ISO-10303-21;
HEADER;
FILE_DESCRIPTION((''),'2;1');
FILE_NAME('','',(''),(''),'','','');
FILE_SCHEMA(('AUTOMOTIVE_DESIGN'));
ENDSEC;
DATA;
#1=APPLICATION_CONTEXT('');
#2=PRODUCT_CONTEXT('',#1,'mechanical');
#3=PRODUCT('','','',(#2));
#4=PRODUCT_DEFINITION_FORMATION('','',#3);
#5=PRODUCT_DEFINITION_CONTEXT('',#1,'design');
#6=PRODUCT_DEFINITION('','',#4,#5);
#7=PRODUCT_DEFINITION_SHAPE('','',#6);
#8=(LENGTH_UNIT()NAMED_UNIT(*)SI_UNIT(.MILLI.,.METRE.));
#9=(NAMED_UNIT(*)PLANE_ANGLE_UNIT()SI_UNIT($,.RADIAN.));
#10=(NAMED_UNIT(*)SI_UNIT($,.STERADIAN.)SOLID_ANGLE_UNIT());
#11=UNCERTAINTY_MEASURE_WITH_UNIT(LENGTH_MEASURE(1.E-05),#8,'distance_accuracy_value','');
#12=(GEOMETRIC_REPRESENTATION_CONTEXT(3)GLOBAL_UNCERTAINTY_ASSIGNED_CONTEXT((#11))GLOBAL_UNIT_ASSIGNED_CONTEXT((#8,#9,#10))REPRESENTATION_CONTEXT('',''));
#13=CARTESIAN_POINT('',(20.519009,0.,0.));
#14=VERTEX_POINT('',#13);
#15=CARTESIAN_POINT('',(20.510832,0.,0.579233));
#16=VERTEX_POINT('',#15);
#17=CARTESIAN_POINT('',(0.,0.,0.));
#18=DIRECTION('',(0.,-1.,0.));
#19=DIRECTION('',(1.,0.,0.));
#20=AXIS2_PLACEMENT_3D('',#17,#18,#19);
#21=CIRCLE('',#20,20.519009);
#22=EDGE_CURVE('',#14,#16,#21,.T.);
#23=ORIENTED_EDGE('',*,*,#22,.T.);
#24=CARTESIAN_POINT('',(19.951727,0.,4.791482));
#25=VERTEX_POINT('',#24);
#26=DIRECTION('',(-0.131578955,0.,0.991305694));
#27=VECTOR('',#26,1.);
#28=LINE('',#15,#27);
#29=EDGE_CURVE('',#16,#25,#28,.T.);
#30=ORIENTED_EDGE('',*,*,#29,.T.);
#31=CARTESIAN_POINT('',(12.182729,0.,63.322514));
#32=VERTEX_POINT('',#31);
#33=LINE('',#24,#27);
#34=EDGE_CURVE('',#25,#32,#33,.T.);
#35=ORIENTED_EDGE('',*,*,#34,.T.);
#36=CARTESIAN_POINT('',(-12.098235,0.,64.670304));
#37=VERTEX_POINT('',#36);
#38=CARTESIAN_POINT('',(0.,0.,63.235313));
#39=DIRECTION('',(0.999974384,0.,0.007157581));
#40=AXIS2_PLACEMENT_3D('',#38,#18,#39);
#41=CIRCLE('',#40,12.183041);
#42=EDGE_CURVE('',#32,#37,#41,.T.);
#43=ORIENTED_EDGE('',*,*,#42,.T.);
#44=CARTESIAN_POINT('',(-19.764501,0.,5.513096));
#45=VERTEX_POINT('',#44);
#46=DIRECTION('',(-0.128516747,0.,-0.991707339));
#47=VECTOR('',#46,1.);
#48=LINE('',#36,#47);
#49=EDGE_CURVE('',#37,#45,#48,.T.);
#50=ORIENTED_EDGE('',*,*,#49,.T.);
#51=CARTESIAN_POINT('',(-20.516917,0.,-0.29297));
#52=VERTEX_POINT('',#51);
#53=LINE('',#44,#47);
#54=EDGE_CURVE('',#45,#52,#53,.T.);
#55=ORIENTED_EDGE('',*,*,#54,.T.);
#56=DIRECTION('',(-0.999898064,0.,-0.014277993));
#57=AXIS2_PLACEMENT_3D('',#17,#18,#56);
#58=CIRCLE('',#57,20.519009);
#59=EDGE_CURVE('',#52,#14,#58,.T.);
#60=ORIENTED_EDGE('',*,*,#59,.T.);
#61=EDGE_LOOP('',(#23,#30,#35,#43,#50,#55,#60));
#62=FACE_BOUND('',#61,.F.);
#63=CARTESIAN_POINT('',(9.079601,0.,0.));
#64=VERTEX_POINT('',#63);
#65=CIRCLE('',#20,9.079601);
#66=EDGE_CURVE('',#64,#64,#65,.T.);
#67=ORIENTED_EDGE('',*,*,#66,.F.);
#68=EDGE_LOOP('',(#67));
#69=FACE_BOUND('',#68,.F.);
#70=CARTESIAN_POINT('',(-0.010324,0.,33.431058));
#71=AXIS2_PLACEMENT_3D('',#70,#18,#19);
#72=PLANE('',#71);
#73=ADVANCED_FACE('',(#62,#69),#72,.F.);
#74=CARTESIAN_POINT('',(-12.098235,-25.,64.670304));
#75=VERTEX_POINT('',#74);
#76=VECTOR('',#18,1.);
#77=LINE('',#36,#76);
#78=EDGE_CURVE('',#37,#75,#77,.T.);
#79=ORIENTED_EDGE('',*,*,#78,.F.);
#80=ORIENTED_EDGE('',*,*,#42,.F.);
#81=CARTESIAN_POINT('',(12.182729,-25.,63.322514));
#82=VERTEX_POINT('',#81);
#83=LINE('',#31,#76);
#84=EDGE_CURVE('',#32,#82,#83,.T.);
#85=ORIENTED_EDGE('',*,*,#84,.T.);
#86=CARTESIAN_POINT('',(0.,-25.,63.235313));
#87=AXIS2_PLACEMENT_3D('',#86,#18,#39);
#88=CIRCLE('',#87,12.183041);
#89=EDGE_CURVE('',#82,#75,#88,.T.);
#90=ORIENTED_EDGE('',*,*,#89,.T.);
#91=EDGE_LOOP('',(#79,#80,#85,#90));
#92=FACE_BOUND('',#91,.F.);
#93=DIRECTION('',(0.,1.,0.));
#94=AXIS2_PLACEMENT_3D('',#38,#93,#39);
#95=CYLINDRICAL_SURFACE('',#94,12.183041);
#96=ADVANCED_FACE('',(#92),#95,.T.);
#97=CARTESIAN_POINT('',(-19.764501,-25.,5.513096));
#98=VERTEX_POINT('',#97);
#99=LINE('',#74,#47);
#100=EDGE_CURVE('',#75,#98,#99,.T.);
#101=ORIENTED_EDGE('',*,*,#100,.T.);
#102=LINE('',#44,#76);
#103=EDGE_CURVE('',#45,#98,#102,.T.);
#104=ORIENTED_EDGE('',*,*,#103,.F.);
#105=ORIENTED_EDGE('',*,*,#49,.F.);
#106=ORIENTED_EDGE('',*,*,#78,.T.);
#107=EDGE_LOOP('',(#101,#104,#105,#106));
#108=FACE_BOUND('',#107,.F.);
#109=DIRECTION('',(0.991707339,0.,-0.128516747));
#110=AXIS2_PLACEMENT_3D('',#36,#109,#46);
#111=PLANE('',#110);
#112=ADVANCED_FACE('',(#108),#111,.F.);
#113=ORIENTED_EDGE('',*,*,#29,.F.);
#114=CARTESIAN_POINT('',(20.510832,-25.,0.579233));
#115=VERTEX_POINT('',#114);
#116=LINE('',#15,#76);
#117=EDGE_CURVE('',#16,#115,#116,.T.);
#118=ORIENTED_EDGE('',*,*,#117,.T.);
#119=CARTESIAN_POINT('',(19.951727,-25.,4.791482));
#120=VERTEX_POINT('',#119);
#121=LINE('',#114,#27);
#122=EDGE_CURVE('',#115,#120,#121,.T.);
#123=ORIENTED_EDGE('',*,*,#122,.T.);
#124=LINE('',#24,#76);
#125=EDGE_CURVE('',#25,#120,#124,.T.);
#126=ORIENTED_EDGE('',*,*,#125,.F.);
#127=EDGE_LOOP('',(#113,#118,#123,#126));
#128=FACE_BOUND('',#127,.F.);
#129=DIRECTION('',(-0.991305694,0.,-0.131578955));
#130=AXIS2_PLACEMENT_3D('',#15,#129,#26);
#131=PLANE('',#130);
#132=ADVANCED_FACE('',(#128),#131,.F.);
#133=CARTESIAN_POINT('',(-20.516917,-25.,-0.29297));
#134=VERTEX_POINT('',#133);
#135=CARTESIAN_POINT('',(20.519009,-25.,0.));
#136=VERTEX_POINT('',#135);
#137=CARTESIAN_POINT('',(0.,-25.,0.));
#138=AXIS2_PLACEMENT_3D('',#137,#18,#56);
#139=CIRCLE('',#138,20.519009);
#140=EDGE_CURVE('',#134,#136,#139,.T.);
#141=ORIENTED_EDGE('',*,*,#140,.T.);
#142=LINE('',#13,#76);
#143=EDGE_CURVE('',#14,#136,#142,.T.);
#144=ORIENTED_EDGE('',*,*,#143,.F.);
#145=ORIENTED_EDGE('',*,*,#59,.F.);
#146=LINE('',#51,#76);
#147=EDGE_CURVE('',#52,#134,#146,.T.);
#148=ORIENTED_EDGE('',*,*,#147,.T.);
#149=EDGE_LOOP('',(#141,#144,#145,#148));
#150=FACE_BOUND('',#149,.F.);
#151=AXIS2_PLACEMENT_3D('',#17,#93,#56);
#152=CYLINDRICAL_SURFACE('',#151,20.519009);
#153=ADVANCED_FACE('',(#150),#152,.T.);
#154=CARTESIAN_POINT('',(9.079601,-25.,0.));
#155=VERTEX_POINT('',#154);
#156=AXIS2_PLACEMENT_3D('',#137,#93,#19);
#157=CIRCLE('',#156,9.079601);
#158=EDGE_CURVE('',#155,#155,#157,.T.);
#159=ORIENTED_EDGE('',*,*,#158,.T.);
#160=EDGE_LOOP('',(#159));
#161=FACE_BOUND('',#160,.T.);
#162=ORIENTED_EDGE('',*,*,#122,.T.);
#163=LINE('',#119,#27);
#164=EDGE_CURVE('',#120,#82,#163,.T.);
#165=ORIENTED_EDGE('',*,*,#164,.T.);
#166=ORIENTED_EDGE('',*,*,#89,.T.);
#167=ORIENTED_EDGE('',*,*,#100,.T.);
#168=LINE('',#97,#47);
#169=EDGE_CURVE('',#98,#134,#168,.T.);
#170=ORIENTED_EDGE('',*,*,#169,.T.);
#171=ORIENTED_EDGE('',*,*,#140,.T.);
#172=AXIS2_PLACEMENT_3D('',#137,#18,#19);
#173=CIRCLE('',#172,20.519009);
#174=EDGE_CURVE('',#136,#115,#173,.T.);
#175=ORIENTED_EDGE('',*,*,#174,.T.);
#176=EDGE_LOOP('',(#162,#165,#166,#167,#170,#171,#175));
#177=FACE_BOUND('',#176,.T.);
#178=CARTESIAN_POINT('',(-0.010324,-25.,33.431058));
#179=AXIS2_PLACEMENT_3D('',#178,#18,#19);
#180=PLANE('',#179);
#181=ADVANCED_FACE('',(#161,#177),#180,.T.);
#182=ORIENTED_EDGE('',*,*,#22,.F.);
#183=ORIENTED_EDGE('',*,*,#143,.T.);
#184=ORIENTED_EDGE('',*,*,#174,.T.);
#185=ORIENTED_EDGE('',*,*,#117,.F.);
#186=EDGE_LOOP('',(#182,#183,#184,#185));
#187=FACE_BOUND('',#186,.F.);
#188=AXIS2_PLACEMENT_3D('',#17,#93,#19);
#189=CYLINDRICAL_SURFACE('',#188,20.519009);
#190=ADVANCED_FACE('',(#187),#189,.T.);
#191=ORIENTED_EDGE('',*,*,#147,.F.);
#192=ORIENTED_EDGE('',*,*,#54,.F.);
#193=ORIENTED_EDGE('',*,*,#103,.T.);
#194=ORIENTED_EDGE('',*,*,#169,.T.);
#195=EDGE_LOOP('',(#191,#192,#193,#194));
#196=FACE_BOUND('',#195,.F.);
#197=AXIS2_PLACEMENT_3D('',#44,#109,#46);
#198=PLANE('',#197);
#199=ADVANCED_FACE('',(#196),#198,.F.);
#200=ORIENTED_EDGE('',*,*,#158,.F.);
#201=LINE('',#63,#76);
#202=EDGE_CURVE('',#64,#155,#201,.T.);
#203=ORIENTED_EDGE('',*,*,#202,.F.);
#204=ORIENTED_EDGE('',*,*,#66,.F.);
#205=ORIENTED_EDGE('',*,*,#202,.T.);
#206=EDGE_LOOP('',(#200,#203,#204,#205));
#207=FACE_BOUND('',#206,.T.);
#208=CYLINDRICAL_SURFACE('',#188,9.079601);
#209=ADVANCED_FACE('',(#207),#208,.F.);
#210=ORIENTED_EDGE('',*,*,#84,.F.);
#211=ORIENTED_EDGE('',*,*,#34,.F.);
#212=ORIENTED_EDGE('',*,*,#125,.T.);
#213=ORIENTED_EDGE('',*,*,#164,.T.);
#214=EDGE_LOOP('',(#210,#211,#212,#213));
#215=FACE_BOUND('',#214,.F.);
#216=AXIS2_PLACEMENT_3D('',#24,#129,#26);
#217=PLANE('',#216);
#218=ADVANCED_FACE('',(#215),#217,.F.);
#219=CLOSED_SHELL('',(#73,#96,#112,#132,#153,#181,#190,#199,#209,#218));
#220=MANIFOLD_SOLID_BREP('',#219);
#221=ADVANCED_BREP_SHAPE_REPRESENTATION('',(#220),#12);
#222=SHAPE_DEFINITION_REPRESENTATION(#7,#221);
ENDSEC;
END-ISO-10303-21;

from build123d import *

# Parameters (mm, degrees)
F3_DEPTH = 25
F4_R     = 9.0796011672
F1_DEPTH = 25.001


with BuildPart() as f3:
    # F0 (on Front) → F3 (new body)
    with BuildSketch(Plane.XZ):
        with BuildLine():
            ThreePointArc((-19.7645010797, 5.5130958701), (0.37275315, 20.5156229272), (19.9517273723, 4.7914824287))
            Line((19.9517273723, 4.7914824287), (12.1827293854, 63.3225138022))
            ThreePointArc((12.1827293854, 63.3225138022), (12.182963444, 63.2789135305), (12.1830414638, 63.2353127003))
            ThreePointArc((12.1830414638, 63.2353127003), (-0.7187475959, 51.0734912412), (-12.0982353654, 64.6703041121))
            Line((-12.0982353654, 64.6703041121), (-19.7645010797, 5.5130958701))
        make_face()
        with BuildLine():
            ThreePointArc((-20.5169173469, -0.2929702728), (0.1464888696, -20.5184860556), (20.5190089673, 0))
            ThreePointArc((20.5190089673, 0), (20.5169645522, 0.2896455881), (20.5108317141, 0.5792334584))
            Line((20.5108317141, 0.5792334584), (19.9517273723, 4.7914824287))
            ThreePointArc((19.9517273723, 4.7914824287), (0.37275315, 20.5156229272), (-19.7645010797, 5.5130958701))
            Line((-19.7645010797, 5.5130958701), (-20.5169173469, -0.2929702728))
        make_face()
        with BuildLine():
            ThreePointArc((12.1830414638, 63.2353127003), (12.182963444, 63.2789135305), (12.1827293854, 63.3225138022))
            ThreePointArc((12.1827293854, 63.3225138022), (0.6752181053, 75.3996285388), (-12.0982353654, 64.6703041121))
            ThreePointArc((-12.0982353654, 64.6703041121), (-0.7187475959, 51.0734912412), (12.1830414638, 63.2353127003))
        make_face()
    extrude(amount=F3_DEPTH)

    # F4 (on Front) → F1 (cut, through all)
    with BuildSketch(Plane.XZ):
        Circle(F4_R)
    extrude(amount=F1_DEPTH, mode=Mode.SUBTRACT)


solid = f3.part
